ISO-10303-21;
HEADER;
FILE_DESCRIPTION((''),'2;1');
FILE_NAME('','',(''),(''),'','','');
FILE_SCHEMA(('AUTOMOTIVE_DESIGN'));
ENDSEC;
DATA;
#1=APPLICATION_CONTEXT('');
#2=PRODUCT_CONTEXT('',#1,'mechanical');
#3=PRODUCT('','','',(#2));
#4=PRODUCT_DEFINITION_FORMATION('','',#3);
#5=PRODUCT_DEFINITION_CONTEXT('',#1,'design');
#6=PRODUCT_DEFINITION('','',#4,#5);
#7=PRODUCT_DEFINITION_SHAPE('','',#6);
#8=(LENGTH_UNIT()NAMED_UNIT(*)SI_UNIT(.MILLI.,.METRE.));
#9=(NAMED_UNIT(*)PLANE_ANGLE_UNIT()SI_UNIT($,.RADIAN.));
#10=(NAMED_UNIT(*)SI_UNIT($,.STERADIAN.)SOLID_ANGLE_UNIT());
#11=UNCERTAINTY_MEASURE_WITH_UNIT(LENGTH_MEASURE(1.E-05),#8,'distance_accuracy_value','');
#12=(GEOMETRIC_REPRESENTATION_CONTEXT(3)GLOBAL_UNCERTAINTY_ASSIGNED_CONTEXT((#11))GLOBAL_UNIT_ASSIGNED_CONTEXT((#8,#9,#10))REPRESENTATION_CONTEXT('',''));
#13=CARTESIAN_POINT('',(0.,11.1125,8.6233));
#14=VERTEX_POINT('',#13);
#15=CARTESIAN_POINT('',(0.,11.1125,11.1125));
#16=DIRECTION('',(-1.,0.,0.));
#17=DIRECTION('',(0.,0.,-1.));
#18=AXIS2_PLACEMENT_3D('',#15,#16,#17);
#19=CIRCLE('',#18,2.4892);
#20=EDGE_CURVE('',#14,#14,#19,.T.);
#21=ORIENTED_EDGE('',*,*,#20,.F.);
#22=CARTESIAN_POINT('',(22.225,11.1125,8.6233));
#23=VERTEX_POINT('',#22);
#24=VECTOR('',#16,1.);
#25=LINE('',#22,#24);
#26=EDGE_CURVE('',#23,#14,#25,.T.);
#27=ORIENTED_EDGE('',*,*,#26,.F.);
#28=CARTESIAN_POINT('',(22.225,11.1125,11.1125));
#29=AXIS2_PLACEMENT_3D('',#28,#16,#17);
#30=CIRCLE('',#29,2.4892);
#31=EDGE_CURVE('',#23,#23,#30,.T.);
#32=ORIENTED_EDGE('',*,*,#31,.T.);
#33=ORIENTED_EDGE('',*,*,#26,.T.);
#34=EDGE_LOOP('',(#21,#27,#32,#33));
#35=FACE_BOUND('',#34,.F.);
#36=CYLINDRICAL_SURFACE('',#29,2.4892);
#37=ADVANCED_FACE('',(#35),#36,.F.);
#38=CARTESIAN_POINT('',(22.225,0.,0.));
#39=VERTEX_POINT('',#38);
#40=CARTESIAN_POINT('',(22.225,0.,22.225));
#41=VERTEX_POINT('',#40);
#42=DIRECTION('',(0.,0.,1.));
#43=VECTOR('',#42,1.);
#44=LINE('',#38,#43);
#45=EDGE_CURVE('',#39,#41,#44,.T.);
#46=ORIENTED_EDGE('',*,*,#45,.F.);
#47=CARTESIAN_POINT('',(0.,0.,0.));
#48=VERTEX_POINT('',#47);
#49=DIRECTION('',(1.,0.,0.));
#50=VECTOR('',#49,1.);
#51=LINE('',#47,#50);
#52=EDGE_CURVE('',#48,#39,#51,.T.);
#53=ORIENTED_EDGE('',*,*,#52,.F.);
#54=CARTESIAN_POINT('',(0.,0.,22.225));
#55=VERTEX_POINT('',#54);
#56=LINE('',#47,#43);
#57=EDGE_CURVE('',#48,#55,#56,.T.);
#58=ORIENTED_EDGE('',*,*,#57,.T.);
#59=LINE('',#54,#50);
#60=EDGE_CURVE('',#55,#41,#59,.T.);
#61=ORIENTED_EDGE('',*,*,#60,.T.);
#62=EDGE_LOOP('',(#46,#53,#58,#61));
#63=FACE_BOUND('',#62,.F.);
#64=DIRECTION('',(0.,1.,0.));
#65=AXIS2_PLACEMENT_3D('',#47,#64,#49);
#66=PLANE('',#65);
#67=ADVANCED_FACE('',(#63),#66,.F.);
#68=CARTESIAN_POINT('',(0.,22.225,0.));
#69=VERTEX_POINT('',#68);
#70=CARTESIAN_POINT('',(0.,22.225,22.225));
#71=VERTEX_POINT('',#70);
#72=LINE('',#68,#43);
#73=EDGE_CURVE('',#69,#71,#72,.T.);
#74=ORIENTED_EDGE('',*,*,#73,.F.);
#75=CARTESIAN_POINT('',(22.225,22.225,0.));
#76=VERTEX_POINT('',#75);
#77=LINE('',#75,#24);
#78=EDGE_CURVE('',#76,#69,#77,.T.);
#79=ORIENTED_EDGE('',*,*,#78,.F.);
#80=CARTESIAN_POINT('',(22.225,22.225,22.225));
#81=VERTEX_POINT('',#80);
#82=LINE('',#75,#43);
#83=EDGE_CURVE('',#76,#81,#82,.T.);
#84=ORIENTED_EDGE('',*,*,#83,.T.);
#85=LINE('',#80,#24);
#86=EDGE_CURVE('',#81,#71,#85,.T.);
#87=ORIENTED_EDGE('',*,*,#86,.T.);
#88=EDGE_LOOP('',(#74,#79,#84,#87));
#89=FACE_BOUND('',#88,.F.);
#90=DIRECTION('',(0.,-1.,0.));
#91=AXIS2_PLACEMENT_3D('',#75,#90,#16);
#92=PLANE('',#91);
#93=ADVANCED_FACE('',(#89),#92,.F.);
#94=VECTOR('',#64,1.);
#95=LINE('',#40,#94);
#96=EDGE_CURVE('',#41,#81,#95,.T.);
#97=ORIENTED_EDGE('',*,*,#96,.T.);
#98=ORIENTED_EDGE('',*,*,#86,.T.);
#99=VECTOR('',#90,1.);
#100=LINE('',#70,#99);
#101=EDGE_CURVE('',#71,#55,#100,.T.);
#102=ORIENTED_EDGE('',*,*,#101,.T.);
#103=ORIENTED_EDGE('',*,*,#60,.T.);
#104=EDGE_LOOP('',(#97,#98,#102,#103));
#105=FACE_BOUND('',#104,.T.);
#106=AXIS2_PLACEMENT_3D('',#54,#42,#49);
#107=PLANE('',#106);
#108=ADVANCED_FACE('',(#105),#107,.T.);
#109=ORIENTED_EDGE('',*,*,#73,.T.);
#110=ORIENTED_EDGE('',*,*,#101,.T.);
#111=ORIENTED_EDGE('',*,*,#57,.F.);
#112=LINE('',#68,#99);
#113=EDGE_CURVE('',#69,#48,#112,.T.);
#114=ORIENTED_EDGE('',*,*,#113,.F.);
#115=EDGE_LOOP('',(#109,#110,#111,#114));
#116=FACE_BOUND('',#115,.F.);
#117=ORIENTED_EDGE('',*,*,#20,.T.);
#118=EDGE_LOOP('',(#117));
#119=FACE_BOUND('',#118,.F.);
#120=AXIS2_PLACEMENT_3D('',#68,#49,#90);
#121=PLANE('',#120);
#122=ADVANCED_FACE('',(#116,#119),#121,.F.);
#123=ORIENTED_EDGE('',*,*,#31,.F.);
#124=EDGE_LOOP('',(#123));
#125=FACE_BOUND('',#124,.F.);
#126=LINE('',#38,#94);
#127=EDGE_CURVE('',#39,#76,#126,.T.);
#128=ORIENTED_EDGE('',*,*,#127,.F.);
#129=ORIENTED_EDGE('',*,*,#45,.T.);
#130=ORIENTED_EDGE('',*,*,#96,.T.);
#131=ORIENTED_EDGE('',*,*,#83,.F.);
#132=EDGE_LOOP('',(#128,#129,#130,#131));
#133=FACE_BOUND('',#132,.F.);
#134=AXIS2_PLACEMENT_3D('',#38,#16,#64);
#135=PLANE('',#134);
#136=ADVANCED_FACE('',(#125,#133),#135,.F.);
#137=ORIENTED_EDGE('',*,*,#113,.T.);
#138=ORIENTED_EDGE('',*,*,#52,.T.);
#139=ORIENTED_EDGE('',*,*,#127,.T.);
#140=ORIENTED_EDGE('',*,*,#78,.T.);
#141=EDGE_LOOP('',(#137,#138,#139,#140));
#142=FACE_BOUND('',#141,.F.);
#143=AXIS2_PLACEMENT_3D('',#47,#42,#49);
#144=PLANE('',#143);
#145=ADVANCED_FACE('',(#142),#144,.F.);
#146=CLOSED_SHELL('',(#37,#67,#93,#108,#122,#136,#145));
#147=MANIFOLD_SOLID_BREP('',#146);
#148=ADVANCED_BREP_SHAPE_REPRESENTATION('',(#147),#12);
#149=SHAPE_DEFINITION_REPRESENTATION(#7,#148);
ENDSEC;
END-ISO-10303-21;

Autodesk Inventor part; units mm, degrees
ref_plane "YZ Plane" through (0, 0, 0) normal (1, 0, 0) x (0, 1, 0)
ref_plane "XZ Plane" through (0, 0, 0) normal (0, 1, 0) x (-1, 0, 0)
ref_plane "XY Plane" through (0, 0, 0) normal (0, 0, 1) x (1, 0, 0)
sketch "Sketch1" plane through (0, 0, 0) normal (0, 0, 1) x (1, 0, 0)
  line L0 (0, 0) -> (22.225, 0)
  line L1 (22.225, 0) -> (22.225, 22.225)
  line L2 (22.225, 22.225) -> (0, 22.225)
  line L3 (0, 22.225) -> (0, 0)
  dimension "d0" = 22.225
extrude "Extrusion1" add sketch "Sketch1" along normal blind 22.225
sketch "Sketch2" plane through (22.225, 0, 0) normal (1, 0, 0) x (0, 0, -1)
  line L0 (0, 22.225) -> (-22.225, 22.225) projected
  line L1 (0, 0) -> (0, 22.225) projected
  point P0 (-11.1125, 11.1125)
  dimension "d3" = 11.1125
  dimension "d4" = 11.1125
hole "Hole1" at (22.225, 11.1125, 11.1125) direction (-1, 0, 0) diameter 4.9784 end through all thread size "1/4-20 UNC" class "2B" standard "ANSI Unified Screw Threads"
properties part number "FRA_009_SideCenterPlug" material "Aluminum 6061"
